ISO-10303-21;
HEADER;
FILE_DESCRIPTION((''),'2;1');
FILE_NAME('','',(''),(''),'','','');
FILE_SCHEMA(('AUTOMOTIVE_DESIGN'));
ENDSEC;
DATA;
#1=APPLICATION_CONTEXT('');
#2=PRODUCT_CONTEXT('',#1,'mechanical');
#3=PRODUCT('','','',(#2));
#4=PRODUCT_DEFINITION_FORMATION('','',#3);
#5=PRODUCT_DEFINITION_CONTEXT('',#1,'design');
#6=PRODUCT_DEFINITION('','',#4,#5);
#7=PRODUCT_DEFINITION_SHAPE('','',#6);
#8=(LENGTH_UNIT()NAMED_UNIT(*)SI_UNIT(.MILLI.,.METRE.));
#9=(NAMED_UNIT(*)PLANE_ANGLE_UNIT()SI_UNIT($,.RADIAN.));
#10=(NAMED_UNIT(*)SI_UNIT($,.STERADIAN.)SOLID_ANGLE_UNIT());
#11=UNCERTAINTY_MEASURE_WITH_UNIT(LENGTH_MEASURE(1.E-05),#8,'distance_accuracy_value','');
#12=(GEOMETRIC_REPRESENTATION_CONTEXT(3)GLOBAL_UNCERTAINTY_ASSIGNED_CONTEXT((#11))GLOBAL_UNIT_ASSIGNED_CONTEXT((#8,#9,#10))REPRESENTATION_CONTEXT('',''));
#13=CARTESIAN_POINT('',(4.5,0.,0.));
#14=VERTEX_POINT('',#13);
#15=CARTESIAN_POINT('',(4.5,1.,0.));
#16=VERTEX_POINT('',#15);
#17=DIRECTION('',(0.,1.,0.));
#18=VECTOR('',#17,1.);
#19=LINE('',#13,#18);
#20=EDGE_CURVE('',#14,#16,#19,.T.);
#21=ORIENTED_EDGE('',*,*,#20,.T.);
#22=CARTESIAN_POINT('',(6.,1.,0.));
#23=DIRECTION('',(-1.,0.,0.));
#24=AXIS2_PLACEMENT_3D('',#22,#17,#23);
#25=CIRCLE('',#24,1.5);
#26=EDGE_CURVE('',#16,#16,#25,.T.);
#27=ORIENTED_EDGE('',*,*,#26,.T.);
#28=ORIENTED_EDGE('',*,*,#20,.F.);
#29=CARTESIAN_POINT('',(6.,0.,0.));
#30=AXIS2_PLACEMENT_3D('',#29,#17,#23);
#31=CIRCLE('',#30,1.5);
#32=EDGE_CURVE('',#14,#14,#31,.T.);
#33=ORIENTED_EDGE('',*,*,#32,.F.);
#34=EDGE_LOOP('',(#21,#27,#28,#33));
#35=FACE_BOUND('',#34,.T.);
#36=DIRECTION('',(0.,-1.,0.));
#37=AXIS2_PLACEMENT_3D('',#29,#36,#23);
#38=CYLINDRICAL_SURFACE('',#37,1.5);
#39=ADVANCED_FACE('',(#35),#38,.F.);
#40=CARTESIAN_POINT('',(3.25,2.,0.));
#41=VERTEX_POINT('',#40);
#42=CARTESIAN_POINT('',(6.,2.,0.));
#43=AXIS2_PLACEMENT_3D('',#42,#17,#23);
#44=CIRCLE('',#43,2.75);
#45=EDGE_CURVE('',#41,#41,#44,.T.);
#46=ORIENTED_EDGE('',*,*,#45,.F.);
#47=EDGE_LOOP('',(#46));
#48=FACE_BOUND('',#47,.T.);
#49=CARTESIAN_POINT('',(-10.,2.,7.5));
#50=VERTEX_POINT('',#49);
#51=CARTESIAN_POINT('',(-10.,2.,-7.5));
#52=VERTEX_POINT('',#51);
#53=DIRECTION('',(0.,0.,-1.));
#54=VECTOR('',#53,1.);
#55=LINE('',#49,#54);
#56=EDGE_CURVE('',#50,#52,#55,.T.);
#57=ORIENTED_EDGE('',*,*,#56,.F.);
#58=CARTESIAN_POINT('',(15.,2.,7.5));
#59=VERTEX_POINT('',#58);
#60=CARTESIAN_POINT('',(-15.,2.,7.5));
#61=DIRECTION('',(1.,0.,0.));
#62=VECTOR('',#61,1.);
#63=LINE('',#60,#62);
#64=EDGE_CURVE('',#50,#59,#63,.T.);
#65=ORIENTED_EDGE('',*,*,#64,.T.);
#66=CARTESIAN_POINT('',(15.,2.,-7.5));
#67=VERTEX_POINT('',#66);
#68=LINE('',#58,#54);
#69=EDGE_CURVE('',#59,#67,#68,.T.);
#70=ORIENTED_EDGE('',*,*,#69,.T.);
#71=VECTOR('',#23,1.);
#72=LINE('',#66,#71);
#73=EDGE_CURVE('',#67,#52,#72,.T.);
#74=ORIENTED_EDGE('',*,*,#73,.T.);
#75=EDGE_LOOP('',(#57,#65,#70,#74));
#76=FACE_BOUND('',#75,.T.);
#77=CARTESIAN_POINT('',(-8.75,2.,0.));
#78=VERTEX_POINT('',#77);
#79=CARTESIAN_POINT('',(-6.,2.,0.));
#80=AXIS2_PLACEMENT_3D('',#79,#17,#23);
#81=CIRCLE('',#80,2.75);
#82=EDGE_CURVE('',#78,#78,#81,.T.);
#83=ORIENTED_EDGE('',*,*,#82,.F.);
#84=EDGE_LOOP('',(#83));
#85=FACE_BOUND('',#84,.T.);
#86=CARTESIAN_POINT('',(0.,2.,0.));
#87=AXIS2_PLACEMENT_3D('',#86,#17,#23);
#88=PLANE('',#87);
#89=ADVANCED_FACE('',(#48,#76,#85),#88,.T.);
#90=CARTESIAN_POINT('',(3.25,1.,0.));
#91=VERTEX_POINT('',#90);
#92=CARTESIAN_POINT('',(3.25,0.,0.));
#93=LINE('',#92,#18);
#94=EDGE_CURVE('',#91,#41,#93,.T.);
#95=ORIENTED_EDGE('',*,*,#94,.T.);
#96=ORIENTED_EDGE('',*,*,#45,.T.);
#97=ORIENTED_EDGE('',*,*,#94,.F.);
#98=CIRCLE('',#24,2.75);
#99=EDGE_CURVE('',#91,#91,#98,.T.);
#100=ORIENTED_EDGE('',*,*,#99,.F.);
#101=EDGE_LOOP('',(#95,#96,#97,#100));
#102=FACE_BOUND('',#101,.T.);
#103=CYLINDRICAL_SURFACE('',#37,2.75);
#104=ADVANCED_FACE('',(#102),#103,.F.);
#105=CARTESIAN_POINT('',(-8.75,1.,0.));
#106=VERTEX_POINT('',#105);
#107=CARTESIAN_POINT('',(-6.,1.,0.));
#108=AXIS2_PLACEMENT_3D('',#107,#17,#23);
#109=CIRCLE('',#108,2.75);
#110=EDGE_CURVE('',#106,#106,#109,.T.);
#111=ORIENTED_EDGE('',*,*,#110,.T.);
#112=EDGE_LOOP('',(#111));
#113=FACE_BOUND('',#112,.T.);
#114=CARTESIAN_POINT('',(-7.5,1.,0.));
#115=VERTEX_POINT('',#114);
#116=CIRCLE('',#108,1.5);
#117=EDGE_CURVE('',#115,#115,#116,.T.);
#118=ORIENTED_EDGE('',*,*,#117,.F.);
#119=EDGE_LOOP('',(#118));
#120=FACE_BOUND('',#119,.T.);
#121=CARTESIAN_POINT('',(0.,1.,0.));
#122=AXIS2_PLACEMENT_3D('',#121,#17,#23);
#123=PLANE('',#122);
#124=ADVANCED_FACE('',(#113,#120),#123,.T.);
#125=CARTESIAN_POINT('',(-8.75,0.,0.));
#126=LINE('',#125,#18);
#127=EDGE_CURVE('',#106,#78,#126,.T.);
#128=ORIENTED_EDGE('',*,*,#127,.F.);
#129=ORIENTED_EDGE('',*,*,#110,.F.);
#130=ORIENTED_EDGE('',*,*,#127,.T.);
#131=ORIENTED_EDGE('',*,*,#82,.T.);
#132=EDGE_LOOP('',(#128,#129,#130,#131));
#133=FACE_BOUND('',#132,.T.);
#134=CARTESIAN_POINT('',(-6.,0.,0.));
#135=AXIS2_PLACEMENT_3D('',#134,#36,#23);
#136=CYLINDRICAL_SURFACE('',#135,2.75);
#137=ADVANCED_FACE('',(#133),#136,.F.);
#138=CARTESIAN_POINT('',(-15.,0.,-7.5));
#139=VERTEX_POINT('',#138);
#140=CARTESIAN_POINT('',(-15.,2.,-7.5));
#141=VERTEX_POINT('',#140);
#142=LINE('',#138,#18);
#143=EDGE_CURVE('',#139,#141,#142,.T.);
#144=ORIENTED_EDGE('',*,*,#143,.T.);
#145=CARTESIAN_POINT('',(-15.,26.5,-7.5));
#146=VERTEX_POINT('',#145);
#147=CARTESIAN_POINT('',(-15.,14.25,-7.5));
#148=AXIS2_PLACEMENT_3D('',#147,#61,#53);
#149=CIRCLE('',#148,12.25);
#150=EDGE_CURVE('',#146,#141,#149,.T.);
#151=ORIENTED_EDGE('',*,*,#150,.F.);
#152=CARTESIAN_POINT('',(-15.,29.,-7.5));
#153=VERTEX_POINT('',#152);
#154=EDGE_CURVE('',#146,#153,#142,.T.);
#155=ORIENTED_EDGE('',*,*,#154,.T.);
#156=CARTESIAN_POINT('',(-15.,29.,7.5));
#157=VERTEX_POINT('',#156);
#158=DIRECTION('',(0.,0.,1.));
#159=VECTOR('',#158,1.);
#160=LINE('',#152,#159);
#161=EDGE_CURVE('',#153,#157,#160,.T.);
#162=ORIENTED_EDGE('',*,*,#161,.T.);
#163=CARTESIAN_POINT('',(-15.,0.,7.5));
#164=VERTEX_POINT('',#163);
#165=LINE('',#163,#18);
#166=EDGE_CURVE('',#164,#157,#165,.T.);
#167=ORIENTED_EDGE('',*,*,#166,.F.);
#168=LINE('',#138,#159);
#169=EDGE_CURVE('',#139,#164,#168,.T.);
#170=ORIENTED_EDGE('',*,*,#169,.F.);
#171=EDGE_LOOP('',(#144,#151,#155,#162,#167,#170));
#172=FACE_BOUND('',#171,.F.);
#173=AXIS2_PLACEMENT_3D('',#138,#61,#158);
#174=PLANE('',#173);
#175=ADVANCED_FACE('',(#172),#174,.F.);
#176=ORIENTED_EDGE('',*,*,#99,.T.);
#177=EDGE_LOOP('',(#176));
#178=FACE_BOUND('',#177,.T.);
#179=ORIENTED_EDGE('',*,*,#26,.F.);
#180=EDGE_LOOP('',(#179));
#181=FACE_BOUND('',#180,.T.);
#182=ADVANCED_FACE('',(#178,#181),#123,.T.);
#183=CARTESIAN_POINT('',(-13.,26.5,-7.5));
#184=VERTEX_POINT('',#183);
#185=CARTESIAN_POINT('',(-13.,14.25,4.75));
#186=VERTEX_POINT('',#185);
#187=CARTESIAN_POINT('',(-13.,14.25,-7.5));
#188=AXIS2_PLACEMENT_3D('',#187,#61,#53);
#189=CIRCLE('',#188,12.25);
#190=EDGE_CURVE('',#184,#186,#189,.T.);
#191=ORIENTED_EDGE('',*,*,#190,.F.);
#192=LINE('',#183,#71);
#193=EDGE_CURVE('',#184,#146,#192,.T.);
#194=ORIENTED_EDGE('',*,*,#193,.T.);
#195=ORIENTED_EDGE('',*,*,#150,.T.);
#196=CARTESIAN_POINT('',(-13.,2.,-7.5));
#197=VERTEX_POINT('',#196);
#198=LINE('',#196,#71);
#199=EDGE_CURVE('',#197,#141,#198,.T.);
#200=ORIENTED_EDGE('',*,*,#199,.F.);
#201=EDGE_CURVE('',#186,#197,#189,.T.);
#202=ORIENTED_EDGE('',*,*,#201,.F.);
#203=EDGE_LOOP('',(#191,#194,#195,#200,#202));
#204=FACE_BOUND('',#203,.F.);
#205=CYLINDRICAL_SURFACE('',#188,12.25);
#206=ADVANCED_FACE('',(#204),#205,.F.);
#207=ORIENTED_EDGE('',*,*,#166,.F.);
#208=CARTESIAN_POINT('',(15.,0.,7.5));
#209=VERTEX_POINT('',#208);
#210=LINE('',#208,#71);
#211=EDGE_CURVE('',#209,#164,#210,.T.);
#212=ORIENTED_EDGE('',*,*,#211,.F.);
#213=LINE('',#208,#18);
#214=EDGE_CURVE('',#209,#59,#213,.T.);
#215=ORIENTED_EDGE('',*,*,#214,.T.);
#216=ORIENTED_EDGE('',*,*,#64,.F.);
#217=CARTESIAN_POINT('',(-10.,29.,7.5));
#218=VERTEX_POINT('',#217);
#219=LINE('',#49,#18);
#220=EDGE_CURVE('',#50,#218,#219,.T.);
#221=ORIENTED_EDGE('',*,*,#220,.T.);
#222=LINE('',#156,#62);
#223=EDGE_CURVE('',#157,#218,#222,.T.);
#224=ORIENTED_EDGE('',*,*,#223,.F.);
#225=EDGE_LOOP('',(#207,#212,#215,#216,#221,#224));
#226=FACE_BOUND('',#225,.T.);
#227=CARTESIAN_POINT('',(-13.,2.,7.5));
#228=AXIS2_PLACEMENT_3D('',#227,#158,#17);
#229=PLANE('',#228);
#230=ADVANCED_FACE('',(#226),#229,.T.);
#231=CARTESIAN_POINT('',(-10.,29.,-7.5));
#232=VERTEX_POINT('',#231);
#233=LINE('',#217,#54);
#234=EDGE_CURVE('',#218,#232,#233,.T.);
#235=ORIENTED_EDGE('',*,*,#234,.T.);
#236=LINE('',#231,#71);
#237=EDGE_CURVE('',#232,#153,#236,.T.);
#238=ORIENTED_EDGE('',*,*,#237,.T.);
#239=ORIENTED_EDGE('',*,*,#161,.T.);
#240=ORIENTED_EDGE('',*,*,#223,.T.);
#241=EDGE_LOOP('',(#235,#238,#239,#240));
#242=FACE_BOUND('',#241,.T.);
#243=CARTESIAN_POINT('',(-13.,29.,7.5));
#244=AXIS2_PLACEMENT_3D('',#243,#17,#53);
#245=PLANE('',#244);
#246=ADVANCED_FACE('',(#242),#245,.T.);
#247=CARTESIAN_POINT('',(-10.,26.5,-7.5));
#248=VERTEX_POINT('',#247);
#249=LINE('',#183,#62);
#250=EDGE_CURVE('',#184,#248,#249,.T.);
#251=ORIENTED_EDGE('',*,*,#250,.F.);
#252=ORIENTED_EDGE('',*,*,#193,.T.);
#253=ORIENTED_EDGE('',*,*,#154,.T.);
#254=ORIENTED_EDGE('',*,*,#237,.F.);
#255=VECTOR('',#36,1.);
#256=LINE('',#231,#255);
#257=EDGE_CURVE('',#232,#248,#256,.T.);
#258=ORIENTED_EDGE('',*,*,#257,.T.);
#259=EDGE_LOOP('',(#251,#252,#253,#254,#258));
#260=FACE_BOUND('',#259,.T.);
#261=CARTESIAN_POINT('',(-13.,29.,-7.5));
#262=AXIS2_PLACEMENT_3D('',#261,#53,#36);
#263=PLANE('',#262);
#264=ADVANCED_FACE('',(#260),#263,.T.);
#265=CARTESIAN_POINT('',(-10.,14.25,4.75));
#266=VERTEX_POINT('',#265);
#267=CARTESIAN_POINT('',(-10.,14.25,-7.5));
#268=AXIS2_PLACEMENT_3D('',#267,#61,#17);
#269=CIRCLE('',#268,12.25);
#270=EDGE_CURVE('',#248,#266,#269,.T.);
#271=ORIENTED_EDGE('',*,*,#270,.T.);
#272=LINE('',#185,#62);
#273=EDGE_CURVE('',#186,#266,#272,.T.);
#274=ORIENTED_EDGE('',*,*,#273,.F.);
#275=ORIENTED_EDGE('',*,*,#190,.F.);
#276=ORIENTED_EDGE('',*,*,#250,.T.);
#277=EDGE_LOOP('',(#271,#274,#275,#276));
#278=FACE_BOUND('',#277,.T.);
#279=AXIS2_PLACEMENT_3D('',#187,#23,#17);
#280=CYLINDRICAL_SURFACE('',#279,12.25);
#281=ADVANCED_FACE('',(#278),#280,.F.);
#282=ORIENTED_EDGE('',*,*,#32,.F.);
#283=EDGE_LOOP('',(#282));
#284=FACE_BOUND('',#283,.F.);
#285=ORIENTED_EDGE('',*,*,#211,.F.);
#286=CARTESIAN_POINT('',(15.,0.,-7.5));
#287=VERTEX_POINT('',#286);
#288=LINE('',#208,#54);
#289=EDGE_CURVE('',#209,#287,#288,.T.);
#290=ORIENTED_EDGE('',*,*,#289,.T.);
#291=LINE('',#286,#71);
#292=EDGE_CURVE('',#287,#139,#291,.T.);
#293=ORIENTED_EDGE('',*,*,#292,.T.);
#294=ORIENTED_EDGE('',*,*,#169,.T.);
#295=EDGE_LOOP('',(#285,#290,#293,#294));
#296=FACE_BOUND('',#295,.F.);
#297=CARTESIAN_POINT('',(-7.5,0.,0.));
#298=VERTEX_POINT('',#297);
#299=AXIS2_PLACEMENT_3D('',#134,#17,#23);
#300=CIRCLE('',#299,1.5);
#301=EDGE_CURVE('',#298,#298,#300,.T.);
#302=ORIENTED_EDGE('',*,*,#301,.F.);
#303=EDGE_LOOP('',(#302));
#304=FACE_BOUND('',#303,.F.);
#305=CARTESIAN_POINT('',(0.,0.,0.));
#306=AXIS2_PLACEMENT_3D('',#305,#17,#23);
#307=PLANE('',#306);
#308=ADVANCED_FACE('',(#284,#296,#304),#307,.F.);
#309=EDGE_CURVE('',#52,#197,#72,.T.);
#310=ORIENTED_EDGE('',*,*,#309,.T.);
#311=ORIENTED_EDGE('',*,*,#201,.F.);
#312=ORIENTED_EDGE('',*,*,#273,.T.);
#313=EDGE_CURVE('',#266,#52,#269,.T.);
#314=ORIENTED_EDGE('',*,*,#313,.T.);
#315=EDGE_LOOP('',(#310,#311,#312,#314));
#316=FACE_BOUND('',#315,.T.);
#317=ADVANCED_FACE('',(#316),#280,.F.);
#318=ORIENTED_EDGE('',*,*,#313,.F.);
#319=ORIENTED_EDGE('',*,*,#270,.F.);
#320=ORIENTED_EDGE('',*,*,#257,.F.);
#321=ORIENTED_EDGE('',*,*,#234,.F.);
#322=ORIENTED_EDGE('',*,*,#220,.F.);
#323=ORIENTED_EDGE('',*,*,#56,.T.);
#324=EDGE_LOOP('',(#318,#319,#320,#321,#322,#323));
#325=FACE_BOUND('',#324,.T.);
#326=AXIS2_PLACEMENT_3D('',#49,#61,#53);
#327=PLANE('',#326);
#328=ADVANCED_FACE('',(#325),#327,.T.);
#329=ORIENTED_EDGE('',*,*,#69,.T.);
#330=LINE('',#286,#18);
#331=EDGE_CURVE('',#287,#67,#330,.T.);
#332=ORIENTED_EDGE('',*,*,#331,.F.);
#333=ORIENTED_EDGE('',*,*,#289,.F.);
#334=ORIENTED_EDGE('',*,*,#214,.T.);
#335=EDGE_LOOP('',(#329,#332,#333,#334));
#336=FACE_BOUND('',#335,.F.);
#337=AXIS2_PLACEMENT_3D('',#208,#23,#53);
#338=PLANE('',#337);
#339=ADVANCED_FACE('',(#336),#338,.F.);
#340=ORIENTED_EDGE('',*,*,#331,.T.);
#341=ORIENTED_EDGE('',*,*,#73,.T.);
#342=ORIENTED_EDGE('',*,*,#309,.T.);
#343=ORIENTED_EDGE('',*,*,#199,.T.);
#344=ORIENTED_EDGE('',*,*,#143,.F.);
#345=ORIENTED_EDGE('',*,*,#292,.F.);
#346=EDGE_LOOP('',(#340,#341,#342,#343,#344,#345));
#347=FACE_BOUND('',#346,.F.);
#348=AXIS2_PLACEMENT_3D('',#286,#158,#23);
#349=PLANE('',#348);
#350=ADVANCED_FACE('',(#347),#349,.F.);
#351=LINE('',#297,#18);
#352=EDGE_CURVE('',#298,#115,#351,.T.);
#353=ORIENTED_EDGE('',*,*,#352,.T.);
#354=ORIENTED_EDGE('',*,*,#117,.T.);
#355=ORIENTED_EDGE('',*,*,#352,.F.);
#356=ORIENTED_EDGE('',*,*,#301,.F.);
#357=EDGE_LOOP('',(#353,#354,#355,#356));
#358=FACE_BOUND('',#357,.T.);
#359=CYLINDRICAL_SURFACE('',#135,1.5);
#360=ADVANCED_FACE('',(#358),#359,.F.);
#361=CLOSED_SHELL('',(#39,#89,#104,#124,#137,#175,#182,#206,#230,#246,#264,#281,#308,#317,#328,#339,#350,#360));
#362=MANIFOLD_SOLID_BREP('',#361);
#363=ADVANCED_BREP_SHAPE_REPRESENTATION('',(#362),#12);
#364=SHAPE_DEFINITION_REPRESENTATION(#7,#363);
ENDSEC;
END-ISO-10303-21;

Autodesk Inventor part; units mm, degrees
ref_plane "YZ Plane" through (0, 0, 0) normal (1, 0, 0) x (0, 1, 0)
ref_plane "XZ Plane" through (0, 0, 0) normal (0, 1, 0) x (-1, 0, 0)
ref_plane "XY Plane" through (0, 0, 0) normal (0, 0, 1) x (1, 0, 0)
sketch "Sketch1" plane through (0, 0, 0) normal (0, 1, 0) x (-1, 0, 0)
  line L0 (15, 7.5) -> (-15, 7.5)
  line L1 (-15, 7.5) -> (-15, -7.5)
  line L2 (-15, -7.5) -> (15, -7.5)
  line L3 (15, -7.5) -> (15, 7.5)
  line L4 (15, 7.5) -> (-15, -7.5) construction
  line L5 (-15, 7.5) -> (15, -7.5) construction
  line L6 (15, 7.5) -> (13, 7.5)
  line L7 (13, 7.5) -> (13, -7.5)
  line L8 (13, -7.5) -> (15, -7.5)
  line L9 (15, -7.5) -> (15, 7.5)
  circle A0 centre (6, 0) radius 1.5
  circle A1 centre (6, 0) radius 2.75
  line L10 (0, 7.5) -> (0, -7.5) construction
  circle A2 centre (-6, 0) radius 1.5
  circle A3 centre (-6, 0) radius 2.75
  point P0 (0, 0)
  dimension "d0" = 30
  dimension "d1" = 15
  dimension "d2" = 2
  dimension "d3" = 3
  dimension "d4" = 5.5
  dimension "d5" = 6
extrude "Extrusion1" add sketch "Sketch1" along normal blind 2 contours L7 L2 L1 L0
extrude "Extrusion2" add sketch "Sketch1" along normal blind 29 contours L3 L2 L7 L0
extrude "Extrusion3" add sketch "Sketch1" along normal blind 1 contours A1 | A3
sketch "Sketch2" plane through (-13, 2, -7.5) normal (1, 0, 0) x (0, 0, -1)
  line L0 (0, 0) -> (0, 27) projected
  line L1 (0, 0) -> (-15, 0) projected
  circle A0 centre (0, 12.25) radius 12.25
  point P0 (-7.5, -2)
  point P1 (0, 13.5)
  point P2 (0, 24.5)
  dimension "d16" = 24.5
  dimension "d17" = 12.25
extrude "Extrusion4" cut sketch "Sketch2" against normal blind 2 contours A0 L0 picked at (-3.685, 9.0749)
sketch "Sketch3" plane through (-13, 2, 7.5) normal (1, 0, 0) x (0, 0, -1)
  line L0 (0, 27) -> (15, 27) projected
  line L1 (15, 27) -> (0, 27)
  line L2 (0, 0) -> (0, 27) projected
  line L3 (0, 27) -> (0, 0)
  line L4 (0, 0) -> (15, 0)
  arc A0 (15, 24.5) -> (15, 0) centre (15, 12.25) ccw projected
  arc A1 (2.75, 12.25) -> (15, 24.5) centre (15, 12.25) ccw
  line L5 (15, 27) -> (15, 24.5)
  line L6 (15, 0) -> (15, 24.5)
  point P0 (7.5, -2)
extrude "Extrusion5" add sketch "Sketch3" along normal blind 3 contours L0 L5 A0 L4 L2
properties part number "Bracket Motor JGA Kiri_3DPrint"
